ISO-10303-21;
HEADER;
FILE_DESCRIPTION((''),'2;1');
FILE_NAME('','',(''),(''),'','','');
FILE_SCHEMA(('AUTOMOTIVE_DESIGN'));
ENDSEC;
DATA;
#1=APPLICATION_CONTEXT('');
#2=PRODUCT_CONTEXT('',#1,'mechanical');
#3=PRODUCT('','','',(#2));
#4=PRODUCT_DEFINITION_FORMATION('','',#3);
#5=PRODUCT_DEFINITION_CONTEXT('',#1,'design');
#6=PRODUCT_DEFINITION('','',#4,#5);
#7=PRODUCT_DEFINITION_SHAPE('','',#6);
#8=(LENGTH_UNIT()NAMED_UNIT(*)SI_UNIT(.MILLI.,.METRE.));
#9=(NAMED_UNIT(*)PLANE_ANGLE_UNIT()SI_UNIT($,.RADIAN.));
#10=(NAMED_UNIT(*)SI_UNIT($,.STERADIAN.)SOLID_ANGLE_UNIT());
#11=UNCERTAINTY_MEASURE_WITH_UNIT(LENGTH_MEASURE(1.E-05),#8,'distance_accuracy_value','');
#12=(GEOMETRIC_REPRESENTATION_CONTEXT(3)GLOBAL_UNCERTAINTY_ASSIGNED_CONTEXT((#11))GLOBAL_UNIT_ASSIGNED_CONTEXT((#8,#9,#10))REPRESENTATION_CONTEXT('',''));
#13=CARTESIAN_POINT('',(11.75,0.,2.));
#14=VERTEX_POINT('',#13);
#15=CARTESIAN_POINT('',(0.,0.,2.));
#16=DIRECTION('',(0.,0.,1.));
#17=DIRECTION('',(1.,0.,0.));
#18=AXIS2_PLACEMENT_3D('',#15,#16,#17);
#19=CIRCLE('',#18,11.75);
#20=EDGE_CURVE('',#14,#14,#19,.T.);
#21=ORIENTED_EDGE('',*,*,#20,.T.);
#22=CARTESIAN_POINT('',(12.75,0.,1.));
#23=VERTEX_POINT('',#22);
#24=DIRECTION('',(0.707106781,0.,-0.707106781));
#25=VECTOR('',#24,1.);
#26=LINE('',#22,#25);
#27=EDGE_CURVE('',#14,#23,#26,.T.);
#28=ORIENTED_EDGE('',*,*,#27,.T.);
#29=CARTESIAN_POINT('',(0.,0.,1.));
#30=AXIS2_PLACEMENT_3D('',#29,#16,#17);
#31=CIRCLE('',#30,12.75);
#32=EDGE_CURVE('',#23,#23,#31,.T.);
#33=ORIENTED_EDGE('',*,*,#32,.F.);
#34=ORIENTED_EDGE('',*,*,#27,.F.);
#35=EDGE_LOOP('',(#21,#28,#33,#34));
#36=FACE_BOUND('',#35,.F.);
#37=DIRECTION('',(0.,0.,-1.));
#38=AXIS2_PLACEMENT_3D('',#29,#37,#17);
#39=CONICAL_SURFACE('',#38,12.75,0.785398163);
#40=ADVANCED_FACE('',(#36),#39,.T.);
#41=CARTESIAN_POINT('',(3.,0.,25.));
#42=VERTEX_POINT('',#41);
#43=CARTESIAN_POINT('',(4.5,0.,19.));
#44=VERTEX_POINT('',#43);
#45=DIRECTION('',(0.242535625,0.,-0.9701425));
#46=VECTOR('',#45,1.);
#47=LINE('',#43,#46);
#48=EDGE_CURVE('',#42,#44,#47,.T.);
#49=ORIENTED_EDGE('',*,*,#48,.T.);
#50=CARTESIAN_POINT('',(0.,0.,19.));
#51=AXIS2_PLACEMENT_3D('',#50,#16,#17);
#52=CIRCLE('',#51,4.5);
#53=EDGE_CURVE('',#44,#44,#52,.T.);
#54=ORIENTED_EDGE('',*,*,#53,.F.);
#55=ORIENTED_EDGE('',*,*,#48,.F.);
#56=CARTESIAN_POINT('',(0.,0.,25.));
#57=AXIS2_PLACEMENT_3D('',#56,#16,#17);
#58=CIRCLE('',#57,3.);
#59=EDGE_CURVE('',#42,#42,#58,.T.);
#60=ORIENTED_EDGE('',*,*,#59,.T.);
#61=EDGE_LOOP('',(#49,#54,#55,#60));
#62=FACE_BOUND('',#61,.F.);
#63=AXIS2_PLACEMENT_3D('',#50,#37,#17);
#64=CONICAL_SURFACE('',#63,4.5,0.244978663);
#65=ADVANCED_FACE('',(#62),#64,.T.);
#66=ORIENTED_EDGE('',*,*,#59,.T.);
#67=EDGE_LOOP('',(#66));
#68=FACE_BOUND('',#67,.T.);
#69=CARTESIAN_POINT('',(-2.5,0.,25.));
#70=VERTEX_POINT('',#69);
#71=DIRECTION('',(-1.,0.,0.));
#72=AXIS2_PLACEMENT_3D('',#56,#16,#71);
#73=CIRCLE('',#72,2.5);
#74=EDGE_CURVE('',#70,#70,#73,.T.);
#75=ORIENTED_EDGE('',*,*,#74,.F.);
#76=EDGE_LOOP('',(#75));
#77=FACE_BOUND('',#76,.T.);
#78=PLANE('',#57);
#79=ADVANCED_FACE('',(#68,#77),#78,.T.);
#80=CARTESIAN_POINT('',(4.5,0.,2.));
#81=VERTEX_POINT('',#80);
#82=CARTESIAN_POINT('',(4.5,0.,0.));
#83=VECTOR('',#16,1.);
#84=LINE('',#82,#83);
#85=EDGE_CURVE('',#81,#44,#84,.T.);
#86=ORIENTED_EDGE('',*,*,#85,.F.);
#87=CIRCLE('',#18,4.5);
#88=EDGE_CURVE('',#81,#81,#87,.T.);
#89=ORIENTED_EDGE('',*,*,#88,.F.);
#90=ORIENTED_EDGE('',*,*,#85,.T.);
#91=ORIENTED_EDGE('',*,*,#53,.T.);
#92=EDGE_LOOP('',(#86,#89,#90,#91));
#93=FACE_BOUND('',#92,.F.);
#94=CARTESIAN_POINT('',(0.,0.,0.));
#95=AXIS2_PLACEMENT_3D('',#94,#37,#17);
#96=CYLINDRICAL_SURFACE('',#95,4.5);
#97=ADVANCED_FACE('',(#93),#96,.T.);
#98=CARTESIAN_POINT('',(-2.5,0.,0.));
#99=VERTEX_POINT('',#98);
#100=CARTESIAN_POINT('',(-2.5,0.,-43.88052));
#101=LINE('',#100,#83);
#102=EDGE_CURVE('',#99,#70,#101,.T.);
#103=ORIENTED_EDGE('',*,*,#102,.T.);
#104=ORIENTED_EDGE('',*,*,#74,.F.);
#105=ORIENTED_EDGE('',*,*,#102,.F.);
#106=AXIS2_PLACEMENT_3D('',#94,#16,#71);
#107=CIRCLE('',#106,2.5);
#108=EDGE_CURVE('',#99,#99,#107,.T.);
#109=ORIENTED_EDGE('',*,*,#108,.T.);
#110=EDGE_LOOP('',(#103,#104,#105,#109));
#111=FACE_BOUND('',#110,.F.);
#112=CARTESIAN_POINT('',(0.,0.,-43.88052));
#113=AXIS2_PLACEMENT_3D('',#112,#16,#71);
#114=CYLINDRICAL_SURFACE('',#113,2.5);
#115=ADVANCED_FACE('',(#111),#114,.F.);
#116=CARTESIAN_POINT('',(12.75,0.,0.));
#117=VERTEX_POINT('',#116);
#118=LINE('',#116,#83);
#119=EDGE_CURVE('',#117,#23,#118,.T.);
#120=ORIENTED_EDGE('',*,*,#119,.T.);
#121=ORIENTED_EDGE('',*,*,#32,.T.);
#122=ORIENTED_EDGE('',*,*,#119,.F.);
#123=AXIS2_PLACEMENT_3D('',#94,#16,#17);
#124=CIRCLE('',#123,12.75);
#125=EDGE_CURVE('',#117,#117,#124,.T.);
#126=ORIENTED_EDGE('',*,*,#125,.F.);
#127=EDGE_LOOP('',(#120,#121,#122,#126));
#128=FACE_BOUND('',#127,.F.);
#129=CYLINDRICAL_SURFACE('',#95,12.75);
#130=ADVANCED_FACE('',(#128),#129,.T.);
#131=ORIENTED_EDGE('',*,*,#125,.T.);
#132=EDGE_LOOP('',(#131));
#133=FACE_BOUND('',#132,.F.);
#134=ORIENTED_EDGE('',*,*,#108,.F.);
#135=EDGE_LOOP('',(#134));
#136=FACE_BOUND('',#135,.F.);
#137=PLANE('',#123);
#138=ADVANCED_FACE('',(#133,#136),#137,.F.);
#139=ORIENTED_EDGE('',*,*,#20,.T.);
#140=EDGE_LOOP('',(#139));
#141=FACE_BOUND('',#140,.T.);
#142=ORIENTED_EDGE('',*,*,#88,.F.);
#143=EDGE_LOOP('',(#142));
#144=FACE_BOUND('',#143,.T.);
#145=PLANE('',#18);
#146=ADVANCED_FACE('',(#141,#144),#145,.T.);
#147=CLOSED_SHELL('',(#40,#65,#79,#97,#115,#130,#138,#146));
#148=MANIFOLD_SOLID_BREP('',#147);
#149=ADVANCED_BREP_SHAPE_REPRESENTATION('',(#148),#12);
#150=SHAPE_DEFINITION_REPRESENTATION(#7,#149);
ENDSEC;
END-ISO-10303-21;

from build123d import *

# Parameters (mm, degrees)
F0_R     = 4.5
F1_DEPTH = 25
F0_R_2   = 12.75
F2_DEPTH = 2
F3_SIZE2 = 6
F3_SIZE  = 1.5
F4_D     = 5
F5_SIZE2 = 1
F5_SIZE  = 1


with BuildPart() as f1:
    # F0 (on Top) → F1 (new body)
    with BuildSketch(Plane.XY):
        Circle(F0_R)
    extrude(amount=F1_DEPTH)

    # F0 (on Top) → F2 (join)
    with BuildSketch(Plane.XY):
        Circle(F0_R_2)
        Circle(F0_R, mode=Mode.SUBTRACT)
    extrude(amount=F2_DEPTH)

    # F3
    f3_edges = [f1.edges().sort_by_distance(p)[0] for p in [
        (-4.5, 0, 25),
    ]]
    f3_side = f1.faces().sort_by_distance((0, 0, 25))[0]
    chamfer(f3_edges, length=F3_SIZE, length2=F3_SIZE2, reference=f3_side)

    # F4 (through all)
    with Locations(Plane(origin=(0, 0, 0), x_dir=(1, 0, 0), z_dir=(0, 0, -1))):
        with Locations((0, 0)):
            Hole(F4_D / 2)

    # F5
    f5_edges = [f1.edges().sort_by_distance(p)[0] for p in [
        (-12.75, 0, 2),
    ]]
    chamfer(f5_edges, length=F5_SIZE, length2=F5_SIZE2)


solid = f1.part
